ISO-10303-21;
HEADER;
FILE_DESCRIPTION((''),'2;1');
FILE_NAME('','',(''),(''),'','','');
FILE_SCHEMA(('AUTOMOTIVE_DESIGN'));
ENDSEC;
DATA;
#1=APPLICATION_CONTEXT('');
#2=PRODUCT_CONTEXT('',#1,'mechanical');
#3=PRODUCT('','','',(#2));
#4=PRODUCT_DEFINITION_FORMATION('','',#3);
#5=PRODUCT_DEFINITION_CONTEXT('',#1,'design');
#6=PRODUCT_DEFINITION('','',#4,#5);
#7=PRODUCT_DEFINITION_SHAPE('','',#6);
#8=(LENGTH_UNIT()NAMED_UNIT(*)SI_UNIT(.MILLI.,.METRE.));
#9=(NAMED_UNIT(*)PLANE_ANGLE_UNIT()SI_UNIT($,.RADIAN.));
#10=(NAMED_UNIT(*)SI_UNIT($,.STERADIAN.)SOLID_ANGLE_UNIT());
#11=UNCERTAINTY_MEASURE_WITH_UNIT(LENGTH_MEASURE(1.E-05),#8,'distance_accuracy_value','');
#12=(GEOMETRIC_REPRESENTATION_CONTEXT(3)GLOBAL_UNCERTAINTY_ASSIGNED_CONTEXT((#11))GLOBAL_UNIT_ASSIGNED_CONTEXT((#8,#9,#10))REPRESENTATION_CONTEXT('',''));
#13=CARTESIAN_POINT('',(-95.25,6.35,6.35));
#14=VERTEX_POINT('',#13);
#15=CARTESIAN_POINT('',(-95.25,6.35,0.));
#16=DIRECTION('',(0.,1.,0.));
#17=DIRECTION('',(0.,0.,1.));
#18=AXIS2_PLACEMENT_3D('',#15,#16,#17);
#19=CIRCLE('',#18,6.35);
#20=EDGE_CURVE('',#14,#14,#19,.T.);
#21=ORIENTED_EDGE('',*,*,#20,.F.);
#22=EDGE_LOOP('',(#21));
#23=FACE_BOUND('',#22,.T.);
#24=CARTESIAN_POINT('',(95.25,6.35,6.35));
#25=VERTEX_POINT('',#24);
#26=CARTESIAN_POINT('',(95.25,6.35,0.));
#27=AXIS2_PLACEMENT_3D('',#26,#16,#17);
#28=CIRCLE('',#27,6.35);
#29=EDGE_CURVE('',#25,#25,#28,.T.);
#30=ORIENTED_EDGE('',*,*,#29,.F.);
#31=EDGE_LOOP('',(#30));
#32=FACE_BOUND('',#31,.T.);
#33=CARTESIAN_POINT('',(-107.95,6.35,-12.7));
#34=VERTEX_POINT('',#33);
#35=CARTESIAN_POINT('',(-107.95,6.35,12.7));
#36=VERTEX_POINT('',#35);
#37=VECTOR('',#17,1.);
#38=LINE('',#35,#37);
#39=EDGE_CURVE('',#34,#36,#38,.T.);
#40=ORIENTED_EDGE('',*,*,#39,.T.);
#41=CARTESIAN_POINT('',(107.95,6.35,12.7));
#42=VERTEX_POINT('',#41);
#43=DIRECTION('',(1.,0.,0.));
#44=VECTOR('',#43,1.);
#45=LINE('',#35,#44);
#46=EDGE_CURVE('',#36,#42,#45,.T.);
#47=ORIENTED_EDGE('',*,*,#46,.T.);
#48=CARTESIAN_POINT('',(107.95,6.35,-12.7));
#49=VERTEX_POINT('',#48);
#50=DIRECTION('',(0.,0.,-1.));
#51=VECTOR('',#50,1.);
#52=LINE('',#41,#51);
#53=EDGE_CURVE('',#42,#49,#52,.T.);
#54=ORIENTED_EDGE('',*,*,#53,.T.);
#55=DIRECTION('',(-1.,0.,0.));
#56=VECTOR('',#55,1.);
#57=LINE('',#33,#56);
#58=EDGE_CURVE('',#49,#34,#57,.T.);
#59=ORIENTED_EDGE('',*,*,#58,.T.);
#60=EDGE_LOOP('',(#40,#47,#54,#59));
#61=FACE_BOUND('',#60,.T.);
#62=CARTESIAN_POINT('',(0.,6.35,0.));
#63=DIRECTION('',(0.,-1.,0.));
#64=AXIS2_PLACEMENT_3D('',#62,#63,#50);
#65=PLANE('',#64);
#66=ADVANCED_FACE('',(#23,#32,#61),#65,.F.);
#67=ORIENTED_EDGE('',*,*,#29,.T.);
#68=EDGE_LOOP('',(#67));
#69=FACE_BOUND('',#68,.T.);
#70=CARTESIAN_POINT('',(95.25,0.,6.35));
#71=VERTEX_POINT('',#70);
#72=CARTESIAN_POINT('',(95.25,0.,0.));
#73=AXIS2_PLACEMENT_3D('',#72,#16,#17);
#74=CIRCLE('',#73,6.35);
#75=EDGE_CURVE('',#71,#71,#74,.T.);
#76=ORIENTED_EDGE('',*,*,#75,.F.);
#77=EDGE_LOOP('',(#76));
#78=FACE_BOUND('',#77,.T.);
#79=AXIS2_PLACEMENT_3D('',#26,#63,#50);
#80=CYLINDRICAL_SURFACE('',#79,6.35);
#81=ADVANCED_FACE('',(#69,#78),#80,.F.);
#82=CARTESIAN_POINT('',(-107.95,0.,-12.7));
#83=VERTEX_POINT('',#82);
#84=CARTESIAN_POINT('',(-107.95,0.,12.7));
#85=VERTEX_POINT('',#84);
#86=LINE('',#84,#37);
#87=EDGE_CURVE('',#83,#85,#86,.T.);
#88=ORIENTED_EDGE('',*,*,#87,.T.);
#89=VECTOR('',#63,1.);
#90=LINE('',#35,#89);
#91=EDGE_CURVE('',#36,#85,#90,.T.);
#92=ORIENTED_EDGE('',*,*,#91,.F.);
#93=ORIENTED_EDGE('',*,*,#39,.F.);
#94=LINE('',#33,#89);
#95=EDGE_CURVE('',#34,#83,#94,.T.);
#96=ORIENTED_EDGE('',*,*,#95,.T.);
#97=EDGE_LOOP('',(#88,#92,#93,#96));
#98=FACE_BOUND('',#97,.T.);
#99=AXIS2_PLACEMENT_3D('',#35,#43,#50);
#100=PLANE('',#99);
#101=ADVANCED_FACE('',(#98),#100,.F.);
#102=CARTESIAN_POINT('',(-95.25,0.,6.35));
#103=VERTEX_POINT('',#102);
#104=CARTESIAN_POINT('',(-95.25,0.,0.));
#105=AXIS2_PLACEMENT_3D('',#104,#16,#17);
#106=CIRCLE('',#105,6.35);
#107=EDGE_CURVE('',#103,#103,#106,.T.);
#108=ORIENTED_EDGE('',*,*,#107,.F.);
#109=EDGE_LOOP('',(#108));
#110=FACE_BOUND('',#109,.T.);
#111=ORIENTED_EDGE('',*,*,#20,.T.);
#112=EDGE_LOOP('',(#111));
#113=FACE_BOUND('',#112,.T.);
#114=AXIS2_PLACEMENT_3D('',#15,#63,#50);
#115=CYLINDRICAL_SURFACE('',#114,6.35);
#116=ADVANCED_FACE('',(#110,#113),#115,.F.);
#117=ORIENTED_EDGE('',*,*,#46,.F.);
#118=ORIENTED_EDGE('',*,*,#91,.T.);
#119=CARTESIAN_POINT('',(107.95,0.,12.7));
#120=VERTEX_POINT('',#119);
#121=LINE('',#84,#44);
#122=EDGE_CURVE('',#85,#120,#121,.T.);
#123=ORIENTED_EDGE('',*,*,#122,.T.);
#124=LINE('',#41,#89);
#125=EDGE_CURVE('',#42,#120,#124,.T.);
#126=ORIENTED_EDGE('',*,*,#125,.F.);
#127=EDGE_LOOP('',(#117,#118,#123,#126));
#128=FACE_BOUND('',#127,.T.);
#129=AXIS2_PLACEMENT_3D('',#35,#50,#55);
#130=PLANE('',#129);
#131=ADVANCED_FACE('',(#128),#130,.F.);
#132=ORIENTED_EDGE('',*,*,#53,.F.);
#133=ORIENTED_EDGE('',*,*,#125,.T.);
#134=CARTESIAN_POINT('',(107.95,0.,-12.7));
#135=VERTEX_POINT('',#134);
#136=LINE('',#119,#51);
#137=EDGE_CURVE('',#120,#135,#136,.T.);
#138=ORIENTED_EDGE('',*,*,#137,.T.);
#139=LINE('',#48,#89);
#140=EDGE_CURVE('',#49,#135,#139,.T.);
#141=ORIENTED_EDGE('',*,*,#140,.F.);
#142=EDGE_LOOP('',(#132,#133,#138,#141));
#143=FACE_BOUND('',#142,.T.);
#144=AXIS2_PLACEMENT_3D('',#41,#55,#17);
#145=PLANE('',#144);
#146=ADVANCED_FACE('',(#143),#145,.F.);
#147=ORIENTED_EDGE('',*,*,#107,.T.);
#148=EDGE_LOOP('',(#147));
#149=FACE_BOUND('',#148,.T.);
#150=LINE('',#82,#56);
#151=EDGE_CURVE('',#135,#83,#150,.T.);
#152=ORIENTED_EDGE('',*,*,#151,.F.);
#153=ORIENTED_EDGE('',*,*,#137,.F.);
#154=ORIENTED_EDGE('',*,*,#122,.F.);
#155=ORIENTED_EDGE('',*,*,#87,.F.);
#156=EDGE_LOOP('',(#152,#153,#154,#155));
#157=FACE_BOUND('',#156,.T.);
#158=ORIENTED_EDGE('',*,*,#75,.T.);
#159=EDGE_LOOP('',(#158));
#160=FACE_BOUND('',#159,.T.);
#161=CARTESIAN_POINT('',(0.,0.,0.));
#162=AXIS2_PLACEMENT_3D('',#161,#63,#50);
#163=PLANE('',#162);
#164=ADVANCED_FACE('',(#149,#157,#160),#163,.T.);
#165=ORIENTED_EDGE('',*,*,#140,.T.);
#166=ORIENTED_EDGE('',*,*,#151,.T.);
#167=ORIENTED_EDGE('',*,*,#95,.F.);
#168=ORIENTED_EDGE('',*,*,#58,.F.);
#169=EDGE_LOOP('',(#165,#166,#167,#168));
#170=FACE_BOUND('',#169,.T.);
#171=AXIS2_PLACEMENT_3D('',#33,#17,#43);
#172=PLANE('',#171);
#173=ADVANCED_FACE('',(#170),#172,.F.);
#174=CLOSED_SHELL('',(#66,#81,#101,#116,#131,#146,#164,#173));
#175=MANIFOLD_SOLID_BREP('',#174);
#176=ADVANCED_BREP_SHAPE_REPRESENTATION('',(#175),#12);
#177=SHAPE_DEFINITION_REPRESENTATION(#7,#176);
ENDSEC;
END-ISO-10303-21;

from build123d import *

# Parameters (mm, degrees)
SKETCH1_W           = 215.9
SKETCH1_H           = 25.4
SKETCH1_R           = 6.35
BOSS_EXTRUDE1_DEPTH = 6.35


with BuildPart() as part:
    # Sketch1 → Boss-Extrude1 (new body)
    with BuildSketch(Plane(origin=(0, 0, 0), x_dir=(1, 0, 0), z_dir=(0, 1, 0))):
        Rectangle(SKETCH1_W, SKETCH1_H)
        with Locations(Location((-95.25, 0, 0), (0, 0, 270))):
            Circle(SKETCH1_R, mode=Mode.SUBTRACT)
        with Locations(Location((95.25, 0, 0), (0, 0, 270))):
            Circle(SKETCH1_R, mode=Mode.SUBTRACT)
    extrude(amount=BOSS_EXTRUDE1_DEPTH)


solid = part.part
